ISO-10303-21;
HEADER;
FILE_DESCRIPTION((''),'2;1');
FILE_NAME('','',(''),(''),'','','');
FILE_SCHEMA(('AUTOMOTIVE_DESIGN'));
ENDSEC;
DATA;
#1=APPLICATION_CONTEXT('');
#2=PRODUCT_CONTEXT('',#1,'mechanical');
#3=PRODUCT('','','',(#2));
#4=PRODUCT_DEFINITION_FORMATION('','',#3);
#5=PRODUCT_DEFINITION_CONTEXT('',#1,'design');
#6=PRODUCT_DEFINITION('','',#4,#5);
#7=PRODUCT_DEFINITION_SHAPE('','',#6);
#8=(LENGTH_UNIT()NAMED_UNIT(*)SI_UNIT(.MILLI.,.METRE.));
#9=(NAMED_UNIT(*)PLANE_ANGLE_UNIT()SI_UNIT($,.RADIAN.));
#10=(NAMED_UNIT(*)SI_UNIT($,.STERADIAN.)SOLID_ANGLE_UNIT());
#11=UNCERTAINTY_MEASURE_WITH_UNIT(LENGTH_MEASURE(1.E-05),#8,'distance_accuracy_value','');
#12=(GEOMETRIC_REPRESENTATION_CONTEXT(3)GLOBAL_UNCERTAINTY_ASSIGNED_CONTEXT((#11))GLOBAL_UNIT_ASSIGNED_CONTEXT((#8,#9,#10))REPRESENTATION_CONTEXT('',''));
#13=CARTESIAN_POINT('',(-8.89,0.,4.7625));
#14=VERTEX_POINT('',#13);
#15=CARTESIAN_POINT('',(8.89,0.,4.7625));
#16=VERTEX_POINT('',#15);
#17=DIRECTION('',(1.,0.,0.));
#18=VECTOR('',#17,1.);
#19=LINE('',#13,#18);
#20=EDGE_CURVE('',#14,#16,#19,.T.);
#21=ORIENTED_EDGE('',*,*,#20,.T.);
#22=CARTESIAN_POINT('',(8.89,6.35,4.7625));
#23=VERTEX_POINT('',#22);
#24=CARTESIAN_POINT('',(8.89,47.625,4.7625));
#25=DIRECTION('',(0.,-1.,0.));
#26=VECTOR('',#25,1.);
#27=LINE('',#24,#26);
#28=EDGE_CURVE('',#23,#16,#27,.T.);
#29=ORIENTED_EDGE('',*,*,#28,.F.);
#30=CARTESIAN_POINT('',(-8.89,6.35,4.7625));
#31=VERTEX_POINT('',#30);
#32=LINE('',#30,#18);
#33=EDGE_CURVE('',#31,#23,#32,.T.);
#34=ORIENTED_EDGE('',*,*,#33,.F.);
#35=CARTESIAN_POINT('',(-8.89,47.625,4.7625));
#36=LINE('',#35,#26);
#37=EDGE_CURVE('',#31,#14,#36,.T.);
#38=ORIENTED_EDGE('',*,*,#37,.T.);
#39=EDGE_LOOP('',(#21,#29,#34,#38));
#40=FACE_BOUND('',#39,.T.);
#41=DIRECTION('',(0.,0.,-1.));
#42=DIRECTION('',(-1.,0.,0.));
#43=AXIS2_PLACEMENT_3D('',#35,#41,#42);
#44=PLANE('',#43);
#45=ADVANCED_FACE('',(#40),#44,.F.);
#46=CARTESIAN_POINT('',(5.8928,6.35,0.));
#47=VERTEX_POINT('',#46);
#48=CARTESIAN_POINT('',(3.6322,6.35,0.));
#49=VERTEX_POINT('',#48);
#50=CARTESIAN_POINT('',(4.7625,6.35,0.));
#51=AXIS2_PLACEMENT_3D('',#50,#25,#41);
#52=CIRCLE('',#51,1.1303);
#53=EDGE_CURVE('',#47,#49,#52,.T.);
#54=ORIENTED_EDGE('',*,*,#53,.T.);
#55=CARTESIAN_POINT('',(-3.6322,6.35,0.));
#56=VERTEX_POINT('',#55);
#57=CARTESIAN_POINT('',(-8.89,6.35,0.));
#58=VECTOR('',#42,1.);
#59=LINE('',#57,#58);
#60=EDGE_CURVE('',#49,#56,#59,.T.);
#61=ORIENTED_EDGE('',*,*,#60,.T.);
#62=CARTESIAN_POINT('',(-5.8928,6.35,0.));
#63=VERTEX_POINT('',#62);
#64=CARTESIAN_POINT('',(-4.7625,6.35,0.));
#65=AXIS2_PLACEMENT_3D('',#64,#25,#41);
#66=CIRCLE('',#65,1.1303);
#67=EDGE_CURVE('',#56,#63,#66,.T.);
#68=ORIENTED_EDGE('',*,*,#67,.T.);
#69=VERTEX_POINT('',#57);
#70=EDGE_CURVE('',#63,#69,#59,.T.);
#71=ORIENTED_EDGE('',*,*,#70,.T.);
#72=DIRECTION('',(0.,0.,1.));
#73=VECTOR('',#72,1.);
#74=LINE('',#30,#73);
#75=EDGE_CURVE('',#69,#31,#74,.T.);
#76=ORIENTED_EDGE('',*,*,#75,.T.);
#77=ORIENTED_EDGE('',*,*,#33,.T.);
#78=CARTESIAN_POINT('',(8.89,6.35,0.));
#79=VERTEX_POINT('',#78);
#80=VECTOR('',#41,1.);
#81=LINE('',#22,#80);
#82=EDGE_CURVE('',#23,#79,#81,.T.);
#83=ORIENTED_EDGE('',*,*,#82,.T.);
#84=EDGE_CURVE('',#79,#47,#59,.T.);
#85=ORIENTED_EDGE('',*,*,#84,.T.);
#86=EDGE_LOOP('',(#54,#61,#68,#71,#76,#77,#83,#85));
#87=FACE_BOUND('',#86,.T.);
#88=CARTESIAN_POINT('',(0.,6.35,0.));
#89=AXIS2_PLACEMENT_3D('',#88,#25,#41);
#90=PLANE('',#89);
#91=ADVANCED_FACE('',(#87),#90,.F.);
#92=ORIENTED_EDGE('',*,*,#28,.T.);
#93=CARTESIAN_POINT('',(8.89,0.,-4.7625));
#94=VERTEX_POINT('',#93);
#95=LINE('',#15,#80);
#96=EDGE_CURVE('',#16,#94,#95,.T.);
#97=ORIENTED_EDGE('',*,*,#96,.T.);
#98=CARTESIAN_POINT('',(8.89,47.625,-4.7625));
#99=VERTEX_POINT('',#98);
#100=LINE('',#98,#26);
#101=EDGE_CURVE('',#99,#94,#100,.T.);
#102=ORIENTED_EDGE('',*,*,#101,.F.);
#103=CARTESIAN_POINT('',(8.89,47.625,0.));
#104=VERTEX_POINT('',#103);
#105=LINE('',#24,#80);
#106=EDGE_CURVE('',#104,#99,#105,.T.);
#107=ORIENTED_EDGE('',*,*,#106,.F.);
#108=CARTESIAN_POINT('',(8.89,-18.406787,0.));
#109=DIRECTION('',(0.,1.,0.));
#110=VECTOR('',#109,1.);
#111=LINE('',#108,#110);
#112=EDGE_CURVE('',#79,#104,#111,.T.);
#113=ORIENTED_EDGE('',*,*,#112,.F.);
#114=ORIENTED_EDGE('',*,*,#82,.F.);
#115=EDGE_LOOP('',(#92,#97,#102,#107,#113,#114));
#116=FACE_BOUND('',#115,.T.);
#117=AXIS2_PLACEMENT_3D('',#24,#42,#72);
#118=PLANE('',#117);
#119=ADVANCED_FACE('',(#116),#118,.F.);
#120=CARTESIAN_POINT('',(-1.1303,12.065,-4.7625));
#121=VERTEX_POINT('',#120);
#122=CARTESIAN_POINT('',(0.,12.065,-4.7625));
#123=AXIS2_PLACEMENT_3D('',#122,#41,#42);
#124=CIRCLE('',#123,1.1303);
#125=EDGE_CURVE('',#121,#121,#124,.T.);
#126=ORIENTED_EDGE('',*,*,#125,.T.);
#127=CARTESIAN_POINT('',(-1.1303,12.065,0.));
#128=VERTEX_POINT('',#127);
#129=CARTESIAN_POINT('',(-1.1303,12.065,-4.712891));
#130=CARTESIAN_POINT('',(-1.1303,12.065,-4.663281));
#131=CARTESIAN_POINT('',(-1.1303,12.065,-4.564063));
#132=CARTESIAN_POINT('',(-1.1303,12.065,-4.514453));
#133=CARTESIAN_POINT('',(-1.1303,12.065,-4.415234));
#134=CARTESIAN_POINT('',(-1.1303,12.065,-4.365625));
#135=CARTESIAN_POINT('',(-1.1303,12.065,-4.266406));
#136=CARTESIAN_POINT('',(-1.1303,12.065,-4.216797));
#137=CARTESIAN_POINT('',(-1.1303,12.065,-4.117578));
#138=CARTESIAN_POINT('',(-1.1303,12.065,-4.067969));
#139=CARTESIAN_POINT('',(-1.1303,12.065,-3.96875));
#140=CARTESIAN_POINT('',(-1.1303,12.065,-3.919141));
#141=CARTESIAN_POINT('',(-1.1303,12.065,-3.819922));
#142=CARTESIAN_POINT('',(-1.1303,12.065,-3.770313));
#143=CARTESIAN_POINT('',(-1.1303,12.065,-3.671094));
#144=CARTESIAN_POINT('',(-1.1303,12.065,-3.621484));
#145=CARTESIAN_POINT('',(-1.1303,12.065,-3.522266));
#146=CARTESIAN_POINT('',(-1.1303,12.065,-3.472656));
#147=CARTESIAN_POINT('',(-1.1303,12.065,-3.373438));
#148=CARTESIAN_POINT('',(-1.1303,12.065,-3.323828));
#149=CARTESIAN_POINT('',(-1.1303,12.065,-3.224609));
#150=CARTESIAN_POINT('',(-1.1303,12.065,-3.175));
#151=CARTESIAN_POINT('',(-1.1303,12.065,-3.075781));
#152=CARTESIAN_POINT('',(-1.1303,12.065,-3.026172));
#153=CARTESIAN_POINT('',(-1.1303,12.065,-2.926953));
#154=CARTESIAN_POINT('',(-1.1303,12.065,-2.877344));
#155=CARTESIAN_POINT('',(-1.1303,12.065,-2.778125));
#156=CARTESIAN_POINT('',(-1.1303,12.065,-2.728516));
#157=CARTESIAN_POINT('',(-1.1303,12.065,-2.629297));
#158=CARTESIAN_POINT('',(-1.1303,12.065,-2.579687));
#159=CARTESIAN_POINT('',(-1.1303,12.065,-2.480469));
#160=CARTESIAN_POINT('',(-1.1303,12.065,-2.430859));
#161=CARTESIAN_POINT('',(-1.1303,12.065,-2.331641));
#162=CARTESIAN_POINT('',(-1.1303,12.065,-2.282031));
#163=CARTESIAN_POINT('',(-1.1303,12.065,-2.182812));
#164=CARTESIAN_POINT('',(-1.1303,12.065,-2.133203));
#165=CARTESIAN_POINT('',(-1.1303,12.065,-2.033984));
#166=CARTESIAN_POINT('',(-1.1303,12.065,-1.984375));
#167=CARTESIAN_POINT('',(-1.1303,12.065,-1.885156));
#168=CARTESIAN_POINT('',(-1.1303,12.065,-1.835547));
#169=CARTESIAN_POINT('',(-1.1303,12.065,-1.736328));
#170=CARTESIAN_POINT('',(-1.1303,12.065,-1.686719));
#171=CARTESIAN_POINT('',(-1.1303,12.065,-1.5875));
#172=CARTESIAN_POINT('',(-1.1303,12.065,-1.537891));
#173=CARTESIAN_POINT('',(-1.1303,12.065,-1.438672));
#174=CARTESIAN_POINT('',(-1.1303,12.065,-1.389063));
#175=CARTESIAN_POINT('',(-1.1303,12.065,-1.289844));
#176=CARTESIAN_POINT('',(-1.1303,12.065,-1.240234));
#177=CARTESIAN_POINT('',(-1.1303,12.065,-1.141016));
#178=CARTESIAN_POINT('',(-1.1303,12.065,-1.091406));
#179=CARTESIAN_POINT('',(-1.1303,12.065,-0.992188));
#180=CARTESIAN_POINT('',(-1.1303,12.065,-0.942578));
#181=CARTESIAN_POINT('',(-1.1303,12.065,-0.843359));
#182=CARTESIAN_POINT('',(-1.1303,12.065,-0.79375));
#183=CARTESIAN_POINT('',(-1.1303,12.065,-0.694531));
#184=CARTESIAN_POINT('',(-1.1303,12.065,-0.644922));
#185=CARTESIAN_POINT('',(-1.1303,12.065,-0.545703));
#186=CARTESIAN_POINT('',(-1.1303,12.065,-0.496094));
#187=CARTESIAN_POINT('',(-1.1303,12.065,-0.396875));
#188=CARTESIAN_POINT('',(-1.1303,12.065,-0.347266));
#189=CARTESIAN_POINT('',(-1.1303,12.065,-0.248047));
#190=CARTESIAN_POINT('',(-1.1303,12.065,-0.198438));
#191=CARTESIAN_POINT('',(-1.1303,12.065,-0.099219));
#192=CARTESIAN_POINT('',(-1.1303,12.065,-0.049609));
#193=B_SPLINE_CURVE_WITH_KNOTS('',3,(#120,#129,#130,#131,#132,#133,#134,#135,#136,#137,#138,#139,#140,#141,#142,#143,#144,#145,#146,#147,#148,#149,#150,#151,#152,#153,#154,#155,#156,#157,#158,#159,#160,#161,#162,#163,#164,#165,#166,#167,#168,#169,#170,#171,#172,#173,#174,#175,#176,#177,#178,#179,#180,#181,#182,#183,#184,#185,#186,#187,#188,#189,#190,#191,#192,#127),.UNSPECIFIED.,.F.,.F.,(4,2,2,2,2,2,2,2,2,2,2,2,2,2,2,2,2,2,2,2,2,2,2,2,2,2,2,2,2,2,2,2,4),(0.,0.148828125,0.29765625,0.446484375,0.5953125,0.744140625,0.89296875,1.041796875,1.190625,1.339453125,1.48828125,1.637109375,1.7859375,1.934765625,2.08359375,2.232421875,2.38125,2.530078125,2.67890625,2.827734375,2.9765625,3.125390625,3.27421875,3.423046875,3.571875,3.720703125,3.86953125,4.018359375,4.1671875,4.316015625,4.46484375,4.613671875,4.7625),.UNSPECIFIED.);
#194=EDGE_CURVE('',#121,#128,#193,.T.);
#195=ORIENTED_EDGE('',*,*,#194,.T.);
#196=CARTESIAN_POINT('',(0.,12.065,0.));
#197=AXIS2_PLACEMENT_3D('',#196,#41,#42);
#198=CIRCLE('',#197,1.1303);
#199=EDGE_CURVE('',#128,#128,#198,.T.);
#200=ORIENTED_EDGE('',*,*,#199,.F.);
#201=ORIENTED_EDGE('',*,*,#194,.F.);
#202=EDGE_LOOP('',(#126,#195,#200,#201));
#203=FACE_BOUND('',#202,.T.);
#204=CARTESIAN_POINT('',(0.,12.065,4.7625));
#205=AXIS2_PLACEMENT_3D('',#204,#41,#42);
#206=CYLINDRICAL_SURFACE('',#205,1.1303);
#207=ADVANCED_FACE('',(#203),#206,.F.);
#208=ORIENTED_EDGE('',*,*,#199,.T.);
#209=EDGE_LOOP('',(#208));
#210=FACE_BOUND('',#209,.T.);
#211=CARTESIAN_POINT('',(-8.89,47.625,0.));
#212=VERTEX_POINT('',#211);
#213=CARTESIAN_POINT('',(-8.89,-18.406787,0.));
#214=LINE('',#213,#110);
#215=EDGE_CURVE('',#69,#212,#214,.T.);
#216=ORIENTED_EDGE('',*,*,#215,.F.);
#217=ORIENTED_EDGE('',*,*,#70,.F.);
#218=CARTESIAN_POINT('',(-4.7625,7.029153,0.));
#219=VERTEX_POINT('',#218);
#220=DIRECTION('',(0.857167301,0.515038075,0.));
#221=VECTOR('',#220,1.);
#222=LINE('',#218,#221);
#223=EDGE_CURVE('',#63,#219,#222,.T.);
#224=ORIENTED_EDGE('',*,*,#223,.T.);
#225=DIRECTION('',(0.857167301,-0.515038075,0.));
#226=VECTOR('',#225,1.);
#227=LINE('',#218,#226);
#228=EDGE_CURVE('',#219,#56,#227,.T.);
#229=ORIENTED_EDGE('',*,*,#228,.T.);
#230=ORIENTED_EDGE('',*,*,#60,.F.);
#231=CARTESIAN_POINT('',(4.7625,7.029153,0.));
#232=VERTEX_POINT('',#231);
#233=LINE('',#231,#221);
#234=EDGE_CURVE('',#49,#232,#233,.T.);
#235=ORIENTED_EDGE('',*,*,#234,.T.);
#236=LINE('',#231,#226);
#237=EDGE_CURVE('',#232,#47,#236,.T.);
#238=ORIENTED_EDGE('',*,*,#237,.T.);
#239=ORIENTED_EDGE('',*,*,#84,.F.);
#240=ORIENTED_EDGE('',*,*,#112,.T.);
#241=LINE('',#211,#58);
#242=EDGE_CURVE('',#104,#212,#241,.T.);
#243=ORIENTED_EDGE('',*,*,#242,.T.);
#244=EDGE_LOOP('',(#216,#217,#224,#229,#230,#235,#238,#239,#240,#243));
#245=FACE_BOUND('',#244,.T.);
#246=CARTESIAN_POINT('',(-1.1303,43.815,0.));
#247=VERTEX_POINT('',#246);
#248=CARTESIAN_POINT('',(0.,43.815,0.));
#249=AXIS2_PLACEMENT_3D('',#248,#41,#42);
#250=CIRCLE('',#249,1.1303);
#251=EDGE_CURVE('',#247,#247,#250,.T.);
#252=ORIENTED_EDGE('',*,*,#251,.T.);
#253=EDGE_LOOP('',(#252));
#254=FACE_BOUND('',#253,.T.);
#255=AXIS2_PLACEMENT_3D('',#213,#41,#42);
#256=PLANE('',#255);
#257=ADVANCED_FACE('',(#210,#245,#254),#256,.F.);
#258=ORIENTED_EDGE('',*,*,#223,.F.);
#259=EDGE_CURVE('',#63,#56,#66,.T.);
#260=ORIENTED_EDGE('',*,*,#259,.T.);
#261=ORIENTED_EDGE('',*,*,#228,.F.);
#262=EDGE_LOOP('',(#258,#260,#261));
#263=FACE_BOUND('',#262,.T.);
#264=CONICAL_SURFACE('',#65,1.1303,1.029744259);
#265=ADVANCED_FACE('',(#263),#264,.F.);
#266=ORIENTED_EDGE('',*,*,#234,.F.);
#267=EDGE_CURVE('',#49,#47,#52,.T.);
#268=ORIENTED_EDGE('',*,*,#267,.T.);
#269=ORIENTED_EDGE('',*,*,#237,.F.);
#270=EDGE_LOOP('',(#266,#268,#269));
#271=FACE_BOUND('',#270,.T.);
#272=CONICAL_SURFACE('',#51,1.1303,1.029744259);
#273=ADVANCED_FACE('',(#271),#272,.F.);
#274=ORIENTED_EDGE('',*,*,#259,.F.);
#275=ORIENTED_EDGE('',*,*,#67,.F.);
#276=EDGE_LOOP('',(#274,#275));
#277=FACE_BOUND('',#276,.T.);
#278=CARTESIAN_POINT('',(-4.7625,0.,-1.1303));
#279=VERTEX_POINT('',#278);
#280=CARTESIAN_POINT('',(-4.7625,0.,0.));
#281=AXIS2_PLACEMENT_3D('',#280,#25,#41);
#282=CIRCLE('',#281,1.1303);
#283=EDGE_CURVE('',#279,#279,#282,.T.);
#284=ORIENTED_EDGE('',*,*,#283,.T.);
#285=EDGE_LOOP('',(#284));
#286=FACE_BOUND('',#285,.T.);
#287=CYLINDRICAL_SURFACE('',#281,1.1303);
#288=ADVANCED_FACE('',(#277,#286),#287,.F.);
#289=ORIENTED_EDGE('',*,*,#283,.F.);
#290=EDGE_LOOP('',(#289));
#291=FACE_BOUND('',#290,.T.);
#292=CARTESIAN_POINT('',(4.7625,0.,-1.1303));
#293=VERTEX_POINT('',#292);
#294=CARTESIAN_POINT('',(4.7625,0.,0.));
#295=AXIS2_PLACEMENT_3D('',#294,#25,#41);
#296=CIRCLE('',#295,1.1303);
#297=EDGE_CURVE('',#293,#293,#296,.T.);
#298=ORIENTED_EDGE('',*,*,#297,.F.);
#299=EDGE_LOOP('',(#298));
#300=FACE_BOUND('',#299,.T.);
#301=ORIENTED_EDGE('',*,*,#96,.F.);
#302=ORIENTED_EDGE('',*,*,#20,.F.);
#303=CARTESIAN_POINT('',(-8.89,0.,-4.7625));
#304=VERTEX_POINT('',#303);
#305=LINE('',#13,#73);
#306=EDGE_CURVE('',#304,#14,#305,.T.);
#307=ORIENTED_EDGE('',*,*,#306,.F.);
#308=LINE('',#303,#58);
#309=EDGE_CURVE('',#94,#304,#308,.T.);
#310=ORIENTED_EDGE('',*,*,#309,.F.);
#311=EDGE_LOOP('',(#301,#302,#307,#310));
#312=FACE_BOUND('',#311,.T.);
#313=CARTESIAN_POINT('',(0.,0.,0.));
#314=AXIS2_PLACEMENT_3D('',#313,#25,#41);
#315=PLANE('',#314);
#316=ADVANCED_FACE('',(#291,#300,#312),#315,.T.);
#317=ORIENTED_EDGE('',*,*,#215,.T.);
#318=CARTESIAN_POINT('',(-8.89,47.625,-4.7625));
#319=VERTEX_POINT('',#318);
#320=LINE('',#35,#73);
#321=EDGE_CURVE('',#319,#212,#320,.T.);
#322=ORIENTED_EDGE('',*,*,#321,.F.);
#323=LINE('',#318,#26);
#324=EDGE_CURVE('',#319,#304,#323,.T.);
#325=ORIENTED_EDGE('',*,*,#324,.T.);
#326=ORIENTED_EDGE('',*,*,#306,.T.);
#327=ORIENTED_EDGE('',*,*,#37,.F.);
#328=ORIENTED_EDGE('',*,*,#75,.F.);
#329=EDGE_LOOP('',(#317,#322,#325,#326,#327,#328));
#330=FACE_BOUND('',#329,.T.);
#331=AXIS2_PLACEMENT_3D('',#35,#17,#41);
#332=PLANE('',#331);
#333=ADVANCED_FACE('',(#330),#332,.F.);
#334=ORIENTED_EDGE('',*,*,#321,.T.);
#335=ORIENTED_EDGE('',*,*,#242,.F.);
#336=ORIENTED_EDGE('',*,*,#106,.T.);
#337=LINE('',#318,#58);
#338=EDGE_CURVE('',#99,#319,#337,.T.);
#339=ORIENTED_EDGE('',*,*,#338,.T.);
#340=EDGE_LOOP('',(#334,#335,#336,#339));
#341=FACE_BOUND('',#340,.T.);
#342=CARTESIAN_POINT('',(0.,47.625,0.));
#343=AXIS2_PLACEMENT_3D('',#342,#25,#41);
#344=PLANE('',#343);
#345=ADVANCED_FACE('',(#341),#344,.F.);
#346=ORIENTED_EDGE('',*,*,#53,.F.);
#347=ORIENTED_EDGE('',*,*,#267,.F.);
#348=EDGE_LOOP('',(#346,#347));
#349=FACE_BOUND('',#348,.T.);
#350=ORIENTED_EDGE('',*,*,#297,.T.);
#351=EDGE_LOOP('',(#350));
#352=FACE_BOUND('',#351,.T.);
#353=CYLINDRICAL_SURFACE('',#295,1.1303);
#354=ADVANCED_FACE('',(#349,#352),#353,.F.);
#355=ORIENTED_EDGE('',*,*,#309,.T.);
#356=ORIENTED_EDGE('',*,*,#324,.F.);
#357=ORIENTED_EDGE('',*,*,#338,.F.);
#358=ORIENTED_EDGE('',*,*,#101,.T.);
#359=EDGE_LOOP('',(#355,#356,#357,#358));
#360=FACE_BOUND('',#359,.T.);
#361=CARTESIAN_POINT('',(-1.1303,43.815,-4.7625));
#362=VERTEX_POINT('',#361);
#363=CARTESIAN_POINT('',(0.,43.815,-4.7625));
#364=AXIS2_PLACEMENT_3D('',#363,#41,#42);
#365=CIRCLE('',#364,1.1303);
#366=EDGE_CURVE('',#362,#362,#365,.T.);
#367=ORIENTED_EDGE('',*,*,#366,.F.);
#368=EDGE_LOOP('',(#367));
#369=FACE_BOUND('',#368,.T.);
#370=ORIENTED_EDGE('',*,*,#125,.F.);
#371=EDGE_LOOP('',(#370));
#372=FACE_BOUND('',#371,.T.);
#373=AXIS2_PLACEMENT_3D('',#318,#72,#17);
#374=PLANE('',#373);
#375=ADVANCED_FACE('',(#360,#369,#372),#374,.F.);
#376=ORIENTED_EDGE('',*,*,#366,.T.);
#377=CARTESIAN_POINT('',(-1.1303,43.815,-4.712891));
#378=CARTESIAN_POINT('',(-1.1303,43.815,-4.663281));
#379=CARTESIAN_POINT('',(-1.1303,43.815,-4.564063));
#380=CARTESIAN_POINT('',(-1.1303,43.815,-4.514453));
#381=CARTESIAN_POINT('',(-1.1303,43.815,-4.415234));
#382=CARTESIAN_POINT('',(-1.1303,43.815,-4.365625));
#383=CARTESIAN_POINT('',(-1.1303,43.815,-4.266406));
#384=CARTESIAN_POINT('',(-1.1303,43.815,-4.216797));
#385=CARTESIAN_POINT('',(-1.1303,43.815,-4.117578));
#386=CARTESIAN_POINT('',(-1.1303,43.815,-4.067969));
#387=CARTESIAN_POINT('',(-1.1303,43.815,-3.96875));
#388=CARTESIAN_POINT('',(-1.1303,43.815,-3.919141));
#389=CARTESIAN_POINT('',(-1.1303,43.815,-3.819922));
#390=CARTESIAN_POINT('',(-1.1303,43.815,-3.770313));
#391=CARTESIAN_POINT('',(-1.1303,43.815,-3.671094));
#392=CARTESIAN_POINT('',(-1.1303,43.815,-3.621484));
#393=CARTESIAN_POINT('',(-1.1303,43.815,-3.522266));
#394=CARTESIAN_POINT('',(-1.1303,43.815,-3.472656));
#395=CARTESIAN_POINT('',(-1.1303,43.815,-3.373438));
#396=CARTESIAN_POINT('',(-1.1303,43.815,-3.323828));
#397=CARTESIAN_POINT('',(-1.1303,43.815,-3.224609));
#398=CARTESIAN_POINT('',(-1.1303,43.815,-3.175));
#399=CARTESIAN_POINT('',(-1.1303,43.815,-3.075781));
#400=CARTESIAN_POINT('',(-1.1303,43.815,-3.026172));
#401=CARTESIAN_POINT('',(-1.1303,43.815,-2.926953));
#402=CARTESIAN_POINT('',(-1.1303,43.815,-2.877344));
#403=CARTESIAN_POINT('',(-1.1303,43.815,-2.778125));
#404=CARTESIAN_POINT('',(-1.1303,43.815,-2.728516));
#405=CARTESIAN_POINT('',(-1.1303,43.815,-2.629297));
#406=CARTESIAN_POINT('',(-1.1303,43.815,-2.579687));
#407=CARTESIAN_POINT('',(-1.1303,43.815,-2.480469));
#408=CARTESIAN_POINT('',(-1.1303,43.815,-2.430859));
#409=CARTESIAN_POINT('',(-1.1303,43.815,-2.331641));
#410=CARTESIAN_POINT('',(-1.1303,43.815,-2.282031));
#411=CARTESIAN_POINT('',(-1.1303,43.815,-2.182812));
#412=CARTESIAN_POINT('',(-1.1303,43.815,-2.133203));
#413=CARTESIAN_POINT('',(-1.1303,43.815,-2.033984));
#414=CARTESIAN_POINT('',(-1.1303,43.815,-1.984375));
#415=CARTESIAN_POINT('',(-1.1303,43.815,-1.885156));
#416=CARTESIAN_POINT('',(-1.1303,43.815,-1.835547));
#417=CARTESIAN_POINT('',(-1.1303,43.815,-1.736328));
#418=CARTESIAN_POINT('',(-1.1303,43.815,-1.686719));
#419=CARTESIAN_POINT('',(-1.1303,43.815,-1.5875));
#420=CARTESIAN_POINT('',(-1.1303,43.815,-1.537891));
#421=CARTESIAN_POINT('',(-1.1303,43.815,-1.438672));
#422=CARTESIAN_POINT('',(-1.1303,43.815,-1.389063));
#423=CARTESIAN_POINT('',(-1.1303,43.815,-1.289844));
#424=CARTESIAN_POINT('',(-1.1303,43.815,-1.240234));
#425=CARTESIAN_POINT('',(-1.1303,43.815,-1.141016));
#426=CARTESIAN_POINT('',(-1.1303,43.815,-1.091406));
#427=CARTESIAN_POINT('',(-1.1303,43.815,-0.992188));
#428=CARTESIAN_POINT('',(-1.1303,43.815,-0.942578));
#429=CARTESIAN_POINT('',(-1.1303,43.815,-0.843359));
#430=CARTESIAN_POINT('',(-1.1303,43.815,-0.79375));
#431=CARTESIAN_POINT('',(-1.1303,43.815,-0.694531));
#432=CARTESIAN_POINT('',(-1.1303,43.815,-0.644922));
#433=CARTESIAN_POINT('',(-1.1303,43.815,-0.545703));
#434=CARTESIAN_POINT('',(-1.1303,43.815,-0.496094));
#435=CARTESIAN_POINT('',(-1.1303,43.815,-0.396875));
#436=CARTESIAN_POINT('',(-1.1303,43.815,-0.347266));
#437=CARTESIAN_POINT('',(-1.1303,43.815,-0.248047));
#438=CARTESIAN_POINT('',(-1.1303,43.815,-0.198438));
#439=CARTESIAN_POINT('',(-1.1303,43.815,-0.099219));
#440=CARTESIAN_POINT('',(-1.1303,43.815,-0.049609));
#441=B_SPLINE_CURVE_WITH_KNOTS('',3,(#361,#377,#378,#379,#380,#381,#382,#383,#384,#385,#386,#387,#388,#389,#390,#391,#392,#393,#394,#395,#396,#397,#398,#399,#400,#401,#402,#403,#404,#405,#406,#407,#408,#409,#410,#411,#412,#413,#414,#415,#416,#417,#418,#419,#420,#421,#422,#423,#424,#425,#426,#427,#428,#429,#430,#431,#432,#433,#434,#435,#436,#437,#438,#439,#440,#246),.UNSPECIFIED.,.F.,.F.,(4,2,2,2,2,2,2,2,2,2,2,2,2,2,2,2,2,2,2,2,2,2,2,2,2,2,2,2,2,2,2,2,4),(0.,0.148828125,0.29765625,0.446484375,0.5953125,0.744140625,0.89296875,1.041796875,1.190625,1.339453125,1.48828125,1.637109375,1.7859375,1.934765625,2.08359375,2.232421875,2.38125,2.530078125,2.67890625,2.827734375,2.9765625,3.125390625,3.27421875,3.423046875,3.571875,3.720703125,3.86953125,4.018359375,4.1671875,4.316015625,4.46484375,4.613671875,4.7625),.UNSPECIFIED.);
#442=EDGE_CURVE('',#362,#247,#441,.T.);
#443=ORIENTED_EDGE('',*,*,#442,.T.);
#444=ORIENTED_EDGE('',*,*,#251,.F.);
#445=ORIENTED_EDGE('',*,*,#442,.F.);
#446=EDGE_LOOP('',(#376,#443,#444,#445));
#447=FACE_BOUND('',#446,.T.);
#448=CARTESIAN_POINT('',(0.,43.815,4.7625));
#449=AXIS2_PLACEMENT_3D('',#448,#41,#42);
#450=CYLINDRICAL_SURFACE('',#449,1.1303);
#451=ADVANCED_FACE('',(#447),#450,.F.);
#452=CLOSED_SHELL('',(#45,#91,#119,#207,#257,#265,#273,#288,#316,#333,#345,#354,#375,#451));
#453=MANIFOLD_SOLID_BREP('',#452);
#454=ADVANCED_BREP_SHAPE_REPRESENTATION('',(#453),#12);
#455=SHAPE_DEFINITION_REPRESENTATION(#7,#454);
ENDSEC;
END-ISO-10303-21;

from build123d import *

# Parameters (mm, degrees)
SKETCH1_W                 = 17.78
SKETCH1_H                 = 9.525
BOSS_EXTRUDE1_DEPTH       = 47.625
SKETCH2_W                 = 17.78
SKETCH2_H                 = 4.7625
CUT_EXTRUDE1_DEPTH        = 41.275
F_4_40_TAPPED_HOLE1_D     = 2.2606
F_4_40_TAPPED_HOLE1_DEPTH = 6.35
F_4_40_TAPPED_HOLE1_TIP   = 0.679152758
SKETCH8_R                 = 1.1303
CUT_EXTRUDE2_DEPTH        = 50.375078228


with BuildPart() as part:
    # Sketch1 → Boss-Extrude1 (new body)
    with BuildSketch(Plane(origin=(0, 0, 0), x_dir=(1, 0, 0), z_dir=(0, 1, 0))):
        Rectangle(SKETCH1_W, SKETCH1_H)
    extrude(amount=BOSS_EXTRUDE1_DEPTH)

    # Sketch2 → Cut-Extrude1 (cut)
    with BuildSketch(Plane(origin=(0, 47.625, 0), x_dir=(1, 0, 0), z_dir=(0, 1, 0))):
        with Locations((0, -2.38125)):
            Rectangle(SKETCH2_W, SKETCH2_H)
    extrude(amount=-CUT_EXTRUDE1_DEPTH, mode=Mode.SUBTRACT)

    # #4-40 Tapped Hole1
    with Locations(Plane(origin=(0, 0, 0), x_dir=(-1, 0, 0), z_dir=(0, -1, 0))):
        with Locations((-4.7625, 0), (4.7625, 0)):
            Hole(F_4_40_TAPPED_HOLE1_D / 2, depth=F_4_40_TAPPED_HOLE1_DEPTH)
            with Locations((0, 0, -(F_4_40_TAPPED_HOLE1_DEPTH + F_4_40_TAPPED_HOLE1_TIP / 2))):  # 118° drill point
                Cone(0, F_4_40_TAPPED_HOLE1_D / 2, F_4_40_TAPPED_HOLE1_TIP, mode=Mode.SUBTRACT)

    # Sketch8 → Cut-Extrude2 (cut, through all)
    with BuildSketch(Plane(origin=(0, 0, -4.7625), x_dir=(-1, 0, 0), z_dir=(0, 0, -1))):
        with Locations((0, 43.815)):
            Circle(SKETCH8_R)
        with Locations((0, 12.065)):
            Circle(SKETCH8_R)
    extrude(amount=-CUT_EXTRUDE2_DEPTH, mode=Mode.SUBTRACT)


solid = part.part
